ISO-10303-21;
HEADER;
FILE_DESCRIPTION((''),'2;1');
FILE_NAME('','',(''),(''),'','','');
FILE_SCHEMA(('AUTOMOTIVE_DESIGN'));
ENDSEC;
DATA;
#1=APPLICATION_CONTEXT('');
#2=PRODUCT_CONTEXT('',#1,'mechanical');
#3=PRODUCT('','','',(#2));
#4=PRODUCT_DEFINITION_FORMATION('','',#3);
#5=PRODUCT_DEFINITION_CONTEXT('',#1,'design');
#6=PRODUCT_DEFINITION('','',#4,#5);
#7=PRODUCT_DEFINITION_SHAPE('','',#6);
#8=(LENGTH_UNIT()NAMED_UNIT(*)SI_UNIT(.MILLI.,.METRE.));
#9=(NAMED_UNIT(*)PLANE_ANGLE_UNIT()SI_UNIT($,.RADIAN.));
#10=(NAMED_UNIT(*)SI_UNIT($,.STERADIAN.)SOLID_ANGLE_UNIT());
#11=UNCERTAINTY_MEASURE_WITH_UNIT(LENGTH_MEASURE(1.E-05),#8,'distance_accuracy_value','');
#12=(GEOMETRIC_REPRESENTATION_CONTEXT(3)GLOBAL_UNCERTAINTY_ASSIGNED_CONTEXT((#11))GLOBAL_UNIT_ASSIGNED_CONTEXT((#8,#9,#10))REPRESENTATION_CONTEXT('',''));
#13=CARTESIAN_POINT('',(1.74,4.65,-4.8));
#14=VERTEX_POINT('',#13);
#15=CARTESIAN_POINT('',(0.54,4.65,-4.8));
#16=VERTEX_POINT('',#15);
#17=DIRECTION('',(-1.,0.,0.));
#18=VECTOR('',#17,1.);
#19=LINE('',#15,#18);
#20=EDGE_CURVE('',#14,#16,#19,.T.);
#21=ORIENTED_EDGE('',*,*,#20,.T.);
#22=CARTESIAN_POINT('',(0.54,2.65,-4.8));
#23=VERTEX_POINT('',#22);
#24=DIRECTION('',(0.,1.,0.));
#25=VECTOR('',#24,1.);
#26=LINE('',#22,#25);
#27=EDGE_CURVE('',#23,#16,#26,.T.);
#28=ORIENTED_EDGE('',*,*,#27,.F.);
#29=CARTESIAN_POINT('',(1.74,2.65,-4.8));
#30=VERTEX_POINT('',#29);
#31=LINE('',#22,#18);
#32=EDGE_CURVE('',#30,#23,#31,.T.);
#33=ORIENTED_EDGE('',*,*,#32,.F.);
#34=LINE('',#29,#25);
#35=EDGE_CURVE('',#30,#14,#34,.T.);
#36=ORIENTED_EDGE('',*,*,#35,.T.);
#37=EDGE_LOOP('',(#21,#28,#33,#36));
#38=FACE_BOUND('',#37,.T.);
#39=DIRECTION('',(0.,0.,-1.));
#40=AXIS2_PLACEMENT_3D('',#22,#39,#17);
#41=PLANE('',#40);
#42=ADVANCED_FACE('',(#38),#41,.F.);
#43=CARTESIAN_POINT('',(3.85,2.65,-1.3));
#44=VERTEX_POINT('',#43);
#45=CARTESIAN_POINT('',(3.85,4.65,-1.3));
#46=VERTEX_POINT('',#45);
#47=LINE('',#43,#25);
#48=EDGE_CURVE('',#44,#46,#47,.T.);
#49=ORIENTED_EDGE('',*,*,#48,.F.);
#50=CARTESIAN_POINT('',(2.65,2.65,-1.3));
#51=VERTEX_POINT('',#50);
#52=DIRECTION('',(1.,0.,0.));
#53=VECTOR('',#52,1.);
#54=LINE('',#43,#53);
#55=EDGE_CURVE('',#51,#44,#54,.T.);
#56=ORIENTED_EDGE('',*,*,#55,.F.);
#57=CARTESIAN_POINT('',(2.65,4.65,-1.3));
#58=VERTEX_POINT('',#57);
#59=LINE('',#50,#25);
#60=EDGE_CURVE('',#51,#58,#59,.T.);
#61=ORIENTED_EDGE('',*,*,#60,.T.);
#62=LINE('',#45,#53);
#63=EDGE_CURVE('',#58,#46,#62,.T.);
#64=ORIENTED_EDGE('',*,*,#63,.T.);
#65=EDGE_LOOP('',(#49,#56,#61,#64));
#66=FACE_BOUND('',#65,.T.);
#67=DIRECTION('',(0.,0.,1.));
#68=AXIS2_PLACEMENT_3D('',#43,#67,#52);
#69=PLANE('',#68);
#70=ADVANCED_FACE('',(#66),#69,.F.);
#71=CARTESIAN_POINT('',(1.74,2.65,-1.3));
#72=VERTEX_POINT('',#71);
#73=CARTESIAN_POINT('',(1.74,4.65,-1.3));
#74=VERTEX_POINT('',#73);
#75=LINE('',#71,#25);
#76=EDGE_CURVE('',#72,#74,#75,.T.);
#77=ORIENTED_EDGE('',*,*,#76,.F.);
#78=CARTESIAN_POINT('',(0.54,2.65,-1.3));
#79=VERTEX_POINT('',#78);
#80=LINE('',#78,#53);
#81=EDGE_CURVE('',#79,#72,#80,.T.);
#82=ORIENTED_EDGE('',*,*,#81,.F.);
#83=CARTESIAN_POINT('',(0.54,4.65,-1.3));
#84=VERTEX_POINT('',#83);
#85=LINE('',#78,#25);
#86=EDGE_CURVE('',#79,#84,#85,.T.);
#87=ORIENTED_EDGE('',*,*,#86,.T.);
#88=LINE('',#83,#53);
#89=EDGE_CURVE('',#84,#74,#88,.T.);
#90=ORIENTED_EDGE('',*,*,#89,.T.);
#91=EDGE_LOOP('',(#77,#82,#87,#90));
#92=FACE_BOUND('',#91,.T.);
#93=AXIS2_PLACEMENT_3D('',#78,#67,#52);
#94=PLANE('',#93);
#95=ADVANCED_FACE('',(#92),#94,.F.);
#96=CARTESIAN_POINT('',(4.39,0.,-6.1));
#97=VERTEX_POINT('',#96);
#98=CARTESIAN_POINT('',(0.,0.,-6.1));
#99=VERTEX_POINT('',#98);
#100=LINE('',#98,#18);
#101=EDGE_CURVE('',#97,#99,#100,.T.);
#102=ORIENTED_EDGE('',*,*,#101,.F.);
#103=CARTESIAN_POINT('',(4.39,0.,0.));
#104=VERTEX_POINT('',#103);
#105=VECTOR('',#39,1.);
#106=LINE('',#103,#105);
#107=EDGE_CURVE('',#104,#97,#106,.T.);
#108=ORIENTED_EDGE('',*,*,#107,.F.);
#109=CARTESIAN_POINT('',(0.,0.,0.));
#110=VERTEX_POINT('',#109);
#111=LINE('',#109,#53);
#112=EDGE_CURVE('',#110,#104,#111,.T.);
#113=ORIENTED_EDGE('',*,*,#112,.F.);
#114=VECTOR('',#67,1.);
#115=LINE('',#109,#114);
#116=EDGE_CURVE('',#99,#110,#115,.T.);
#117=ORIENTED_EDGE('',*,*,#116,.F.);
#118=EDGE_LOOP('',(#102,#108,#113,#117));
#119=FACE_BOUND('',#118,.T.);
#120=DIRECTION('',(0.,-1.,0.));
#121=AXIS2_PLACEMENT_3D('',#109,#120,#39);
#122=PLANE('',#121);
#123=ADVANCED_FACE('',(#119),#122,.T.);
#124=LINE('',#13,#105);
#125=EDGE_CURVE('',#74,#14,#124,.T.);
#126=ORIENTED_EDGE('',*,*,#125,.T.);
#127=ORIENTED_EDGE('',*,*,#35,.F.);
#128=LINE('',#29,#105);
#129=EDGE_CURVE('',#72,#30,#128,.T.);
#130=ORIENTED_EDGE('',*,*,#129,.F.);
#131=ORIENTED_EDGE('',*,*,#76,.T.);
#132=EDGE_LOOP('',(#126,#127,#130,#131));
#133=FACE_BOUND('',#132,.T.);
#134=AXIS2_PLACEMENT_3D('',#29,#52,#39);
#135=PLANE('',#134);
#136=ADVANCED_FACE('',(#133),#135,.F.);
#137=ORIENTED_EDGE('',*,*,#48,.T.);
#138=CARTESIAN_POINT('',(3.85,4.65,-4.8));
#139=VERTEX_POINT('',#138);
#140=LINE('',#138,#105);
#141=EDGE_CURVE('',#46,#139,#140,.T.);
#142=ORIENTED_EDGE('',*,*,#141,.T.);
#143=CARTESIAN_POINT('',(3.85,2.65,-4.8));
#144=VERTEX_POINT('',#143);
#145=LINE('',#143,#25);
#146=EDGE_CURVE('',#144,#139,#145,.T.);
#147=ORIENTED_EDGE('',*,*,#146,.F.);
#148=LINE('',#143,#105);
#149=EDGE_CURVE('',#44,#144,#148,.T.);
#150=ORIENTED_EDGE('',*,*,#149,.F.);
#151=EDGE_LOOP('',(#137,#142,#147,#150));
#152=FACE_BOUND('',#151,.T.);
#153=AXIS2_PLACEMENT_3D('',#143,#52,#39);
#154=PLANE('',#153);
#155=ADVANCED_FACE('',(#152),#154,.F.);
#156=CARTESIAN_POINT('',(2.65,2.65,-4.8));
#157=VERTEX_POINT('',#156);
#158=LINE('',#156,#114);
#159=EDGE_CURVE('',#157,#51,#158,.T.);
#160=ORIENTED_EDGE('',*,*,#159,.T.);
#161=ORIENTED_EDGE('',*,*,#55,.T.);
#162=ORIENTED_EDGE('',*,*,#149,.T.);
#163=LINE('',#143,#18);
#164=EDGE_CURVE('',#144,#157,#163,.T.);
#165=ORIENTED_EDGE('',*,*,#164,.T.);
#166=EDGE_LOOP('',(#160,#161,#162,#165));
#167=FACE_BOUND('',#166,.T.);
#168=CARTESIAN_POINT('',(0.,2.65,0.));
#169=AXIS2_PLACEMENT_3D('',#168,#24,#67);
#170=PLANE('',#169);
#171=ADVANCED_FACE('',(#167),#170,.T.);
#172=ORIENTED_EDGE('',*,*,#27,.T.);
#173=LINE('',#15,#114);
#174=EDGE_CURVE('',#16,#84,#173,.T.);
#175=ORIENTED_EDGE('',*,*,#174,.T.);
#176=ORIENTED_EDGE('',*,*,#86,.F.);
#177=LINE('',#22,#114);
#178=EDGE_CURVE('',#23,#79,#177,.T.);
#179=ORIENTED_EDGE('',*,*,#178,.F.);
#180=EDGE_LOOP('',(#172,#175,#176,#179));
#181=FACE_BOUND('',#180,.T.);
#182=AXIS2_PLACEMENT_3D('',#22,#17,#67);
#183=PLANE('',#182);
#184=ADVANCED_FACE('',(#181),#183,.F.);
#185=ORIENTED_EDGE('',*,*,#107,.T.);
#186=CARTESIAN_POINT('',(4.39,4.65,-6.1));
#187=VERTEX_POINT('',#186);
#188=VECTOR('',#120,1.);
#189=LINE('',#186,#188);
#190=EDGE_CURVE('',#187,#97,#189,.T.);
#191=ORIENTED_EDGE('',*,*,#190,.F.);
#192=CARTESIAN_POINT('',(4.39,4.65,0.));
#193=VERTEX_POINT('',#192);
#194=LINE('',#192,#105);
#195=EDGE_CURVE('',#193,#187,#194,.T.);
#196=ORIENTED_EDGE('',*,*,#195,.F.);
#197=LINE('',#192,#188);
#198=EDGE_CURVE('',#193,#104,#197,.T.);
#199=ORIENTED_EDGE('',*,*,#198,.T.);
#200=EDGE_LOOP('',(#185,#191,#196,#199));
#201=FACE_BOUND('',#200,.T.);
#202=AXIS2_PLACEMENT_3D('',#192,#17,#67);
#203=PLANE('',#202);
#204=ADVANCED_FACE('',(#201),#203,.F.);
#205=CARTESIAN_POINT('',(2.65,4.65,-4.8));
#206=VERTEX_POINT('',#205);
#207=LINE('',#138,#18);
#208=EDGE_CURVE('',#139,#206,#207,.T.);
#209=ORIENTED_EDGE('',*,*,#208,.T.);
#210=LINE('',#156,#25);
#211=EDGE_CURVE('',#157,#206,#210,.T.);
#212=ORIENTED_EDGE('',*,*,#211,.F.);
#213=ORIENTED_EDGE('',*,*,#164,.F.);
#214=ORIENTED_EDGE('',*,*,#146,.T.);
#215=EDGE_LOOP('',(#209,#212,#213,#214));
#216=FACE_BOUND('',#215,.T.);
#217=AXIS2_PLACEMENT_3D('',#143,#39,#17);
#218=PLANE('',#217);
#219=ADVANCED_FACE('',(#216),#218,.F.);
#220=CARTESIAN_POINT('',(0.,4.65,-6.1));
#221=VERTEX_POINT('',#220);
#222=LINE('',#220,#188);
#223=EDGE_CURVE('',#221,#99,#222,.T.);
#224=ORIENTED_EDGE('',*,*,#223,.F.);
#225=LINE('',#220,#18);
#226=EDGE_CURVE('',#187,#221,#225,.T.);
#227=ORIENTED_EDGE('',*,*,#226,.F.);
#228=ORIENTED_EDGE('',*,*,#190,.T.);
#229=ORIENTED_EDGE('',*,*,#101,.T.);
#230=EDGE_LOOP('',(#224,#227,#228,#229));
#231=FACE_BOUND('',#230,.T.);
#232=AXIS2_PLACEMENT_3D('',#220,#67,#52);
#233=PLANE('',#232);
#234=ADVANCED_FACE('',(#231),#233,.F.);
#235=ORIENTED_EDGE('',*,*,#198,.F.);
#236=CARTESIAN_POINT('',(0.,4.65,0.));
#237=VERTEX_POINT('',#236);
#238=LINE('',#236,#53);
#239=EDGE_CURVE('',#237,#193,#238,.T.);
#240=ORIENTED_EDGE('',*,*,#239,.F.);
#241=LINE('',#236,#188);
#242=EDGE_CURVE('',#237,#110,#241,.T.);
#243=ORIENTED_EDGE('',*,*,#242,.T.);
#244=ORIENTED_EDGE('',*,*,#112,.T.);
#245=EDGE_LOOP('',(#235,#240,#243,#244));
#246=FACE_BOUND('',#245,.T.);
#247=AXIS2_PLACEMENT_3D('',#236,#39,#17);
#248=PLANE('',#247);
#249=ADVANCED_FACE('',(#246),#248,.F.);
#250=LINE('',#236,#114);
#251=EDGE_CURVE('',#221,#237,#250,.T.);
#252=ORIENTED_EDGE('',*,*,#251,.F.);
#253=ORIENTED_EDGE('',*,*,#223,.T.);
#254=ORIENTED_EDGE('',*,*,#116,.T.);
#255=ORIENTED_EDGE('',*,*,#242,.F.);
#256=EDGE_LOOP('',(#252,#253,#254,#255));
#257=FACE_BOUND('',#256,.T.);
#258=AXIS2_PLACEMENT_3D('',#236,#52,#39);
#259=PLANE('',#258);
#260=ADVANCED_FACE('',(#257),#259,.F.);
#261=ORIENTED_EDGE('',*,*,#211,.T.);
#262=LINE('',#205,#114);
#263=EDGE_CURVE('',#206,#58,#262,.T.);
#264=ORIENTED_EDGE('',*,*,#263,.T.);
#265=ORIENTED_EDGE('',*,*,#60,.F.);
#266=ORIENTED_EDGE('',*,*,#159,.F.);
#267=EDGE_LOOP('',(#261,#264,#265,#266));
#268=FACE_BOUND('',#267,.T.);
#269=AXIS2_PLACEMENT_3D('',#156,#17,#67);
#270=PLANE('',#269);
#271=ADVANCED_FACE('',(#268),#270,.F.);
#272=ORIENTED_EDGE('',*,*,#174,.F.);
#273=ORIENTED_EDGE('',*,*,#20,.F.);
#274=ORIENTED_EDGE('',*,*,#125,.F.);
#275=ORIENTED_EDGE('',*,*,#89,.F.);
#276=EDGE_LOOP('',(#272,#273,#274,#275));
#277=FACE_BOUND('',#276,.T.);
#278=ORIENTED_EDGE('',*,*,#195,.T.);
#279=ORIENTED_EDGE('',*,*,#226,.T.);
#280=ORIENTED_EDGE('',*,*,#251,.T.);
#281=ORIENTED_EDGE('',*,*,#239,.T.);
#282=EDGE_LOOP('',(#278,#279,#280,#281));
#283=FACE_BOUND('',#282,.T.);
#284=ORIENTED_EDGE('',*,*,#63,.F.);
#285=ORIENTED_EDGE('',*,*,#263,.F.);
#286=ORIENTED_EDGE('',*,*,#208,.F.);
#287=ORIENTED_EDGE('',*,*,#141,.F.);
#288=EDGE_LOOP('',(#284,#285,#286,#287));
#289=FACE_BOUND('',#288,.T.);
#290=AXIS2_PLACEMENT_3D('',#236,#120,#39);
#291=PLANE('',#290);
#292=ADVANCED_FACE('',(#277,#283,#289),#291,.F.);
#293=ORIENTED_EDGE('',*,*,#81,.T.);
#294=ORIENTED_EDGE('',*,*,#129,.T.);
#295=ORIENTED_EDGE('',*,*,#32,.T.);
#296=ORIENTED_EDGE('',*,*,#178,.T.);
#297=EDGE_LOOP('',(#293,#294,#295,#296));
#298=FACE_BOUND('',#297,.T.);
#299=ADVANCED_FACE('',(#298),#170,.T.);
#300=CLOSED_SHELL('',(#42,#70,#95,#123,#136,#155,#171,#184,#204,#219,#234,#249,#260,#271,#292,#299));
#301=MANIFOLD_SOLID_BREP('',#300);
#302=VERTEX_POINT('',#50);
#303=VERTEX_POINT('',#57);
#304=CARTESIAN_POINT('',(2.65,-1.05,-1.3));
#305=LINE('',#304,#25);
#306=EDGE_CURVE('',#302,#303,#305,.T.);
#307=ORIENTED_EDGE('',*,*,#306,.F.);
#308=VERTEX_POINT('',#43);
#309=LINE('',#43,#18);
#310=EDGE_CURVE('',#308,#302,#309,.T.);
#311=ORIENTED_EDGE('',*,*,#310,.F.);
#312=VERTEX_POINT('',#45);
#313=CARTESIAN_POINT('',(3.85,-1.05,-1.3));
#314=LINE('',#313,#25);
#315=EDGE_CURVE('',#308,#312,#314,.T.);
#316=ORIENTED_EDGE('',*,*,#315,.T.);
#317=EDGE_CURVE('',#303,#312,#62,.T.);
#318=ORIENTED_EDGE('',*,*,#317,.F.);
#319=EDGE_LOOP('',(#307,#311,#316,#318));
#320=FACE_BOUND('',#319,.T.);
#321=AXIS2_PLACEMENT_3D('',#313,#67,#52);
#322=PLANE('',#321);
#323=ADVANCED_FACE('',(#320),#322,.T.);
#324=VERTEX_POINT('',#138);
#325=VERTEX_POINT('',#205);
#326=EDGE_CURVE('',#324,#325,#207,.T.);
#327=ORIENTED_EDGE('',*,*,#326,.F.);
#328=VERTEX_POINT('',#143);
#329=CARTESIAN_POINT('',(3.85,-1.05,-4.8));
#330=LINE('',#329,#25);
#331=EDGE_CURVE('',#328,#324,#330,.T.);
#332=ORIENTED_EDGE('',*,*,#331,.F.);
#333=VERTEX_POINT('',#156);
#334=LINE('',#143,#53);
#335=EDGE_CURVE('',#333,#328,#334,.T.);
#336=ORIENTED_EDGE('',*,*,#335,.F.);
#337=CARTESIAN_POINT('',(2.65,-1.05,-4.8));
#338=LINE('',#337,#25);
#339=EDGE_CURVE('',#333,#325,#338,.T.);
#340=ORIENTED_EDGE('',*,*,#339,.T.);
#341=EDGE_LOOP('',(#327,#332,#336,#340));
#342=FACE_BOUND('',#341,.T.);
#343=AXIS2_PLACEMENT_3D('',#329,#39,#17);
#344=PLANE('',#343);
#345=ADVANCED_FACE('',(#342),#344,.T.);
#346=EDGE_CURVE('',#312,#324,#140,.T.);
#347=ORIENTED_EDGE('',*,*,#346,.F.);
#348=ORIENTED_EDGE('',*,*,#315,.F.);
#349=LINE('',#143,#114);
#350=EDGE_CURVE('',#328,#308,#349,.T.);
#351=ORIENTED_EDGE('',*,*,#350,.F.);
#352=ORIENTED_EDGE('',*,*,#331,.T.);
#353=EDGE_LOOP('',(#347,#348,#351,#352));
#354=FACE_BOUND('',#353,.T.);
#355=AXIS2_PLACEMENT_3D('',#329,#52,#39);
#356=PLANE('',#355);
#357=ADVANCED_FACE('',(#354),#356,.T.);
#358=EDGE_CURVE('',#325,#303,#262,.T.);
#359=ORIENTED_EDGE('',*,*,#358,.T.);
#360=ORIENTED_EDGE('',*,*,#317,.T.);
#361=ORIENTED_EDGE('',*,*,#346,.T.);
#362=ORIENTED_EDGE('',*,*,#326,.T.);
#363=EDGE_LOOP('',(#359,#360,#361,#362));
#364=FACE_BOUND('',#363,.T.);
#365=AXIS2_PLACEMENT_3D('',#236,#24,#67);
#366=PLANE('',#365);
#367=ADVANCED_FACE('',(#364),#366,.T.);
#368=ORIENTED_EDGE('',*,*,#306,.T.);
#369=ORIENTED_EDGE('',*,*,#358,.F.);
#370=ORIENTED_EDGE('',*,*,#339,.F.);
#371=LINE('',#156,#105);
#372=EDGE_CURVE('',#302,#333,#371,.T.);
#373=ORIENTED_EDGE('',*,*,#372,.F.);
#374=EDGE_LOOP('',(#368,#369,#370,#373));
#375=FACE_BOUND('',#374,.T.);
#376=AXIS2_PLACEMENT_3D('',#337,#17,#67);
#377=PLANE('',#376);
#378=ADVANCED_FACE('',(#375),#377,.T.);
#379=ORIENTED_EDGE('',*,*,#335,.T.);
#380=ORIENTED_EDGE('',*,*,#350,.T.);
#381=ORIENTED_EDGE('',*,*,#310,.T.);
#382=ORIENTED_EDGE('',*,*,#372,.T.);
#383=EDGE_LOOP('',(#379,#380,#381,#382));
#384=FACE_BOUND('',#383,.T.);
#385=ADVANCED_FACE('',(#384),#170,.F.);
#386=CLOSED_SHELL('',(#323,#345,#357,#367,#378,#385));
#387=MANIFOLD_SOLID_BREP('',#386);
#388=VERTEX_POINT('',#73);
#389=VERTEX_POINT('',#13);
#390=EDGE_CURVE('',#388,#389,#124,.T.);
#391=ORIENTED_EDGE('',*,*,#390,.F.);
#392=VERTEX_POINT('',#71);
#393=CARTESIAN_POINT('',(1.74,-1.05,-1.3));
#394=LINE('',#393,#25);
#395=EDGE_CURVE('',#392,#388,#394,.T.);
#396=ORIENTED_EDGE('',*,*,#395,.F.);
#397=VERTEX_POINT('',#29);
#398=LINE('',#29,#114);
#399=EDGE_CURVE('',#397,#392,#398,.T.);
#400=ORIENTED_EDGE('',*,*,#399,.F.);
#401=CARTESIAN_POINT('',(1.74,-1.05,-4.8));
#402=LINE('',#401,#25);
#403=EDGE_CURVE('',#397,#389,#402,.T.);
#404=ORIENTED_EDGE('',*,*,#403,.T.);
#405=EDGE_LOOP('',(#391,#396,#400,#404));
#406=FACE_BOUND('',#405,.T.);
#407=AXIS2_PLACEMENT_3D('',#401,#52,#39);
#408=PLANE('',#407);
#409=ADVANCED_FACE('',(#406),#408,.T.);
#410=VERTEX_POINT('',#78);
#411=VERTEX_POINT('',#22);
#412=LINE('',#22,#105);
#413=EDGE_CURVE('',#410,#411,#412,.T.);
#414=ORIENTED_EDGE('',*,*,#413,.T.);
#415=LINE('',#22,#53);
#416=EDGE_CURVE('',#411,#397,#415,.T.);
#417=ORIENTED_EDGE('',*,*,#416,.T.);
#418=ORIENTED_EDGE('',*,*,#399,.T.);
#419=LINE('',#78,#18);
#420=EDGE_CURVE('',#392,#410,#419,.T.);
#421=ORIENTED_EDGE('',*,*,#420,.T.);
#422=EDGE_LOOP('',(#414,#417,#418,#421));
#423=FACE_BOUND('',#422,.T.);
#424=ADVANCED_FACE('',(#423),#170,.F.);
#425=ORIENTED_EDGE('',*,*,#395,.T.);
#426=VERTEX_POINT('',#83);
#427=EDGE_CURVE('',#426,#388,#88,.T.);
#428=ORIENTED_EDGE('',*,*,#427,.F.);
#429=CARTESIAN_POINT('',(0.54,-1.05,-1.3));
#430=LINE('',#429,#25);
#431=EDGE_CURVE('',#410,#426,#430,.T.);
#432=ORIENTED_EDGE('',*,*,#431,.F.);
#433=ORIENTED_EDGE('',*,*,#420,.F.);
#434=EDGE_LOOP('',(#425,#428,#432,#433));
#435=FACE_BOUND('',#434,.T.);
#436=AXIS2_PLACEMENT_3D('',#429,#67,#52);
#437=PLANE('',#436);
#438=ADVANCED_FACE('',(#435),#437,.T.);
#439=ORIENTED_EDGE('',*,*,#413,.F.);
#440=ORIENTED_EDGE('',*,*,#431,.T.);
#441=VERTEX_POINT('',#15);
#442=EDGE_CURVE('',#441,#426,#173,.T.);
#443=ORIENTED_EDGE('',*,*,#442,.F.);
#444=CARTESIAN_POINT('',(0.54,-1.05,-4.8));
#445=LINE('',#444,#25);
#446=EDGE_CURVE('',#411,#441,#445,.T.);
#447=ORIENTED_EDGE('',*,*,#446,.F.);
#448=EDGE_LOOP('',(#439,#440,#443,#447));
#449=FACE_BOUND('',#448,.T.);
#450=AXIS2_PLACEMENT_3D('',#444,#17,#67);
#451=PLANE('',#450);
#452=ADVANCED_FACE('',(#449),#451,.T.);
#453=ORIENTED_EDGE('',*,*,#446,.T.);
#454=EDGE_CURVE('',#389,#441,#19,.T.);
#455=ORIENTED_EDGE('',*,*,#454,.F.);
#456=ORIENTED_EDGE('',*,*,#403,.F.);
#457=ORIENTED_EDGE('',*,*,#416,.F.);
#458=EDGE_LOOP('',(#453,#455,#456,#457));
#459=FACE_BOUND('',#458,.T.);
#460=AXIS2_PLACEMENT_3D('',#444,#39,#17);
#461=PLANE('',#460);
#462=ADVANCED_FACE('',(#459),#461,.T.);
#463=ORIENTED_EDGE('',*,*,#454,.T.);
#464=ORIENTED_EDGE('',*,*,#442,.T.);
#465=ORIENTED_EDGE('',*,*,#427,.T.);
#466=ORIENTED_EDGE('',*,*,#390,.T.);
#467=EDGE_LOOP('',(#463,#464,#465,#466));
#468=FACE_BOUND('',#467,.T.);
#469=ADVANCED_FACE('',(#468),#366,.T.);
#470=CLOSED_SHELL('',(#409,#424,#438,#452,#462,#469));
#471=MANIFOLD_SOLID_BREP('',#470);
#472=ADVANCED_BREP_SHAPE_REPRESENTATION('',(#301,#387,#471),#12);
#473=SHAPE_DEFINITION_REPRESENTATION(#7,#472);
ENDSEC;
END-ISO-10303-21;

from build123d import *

# Parameters (mm, degrees)
SKETCH1_W             = 4.39
SKETCH1_H             = 6.1
BOSS_EXTRUDE1_DEPTH   = 4.65
SKETCH2_W             = 1.2
SKETCH2_H             = 3.5
CUT_EXTRUDE1_DEPTH    = 2
SKETCH2_3_W           = 1.2
SKETCH2_3_H           = 3.5
BOSS_EXTRUDE2_DEPTH   = 2
BOSS_EXTRUDE2_2_DEPTH = 2


with BuildPart() as part:
    # Sketch1 → Boss-Extrude1 (new body)
    with BuildSketch(Plane(origin=(0, 0, 0), x_dir=(1, 0, 0), z_dir=(0, 1, 0))):
        with Locations((2.195, 3.05)):
            Rectangle(SKETCH1_W, SKETCH1_H)
    extrude(amount=BOSS_EXTRUDE1_DEPTH)

    # Sketch2 → Cut-Extrude1 (cut)
    with BuildSketch(Plane(origin=(0, 4.65, 0), x_dir=(1, 0, 0), z_dir=(0, 1, 0))):
        with Locations((1.14, 3.05)):
            Rectangle(SKETCH2_W, SKETCH2_H)
        with Locations((3.25, 3.05)):
            Rectangle(SKETCH2_W, SKETCH2_H)
    extrude(amount=-CUT_EXTRUDE1_DEPTH, mode=Mode.SUBTRACT)


with BuildPart() as body_2:
    # Sketch2<3> → Boss-Extrude2 (new body)
    with BuildSketch(Plane(origin=(0, 4.65, 0), x_dir=(1, 0, 0), z_dir=(0, 1, 0))):
        with Locations((1.14, 3.05)):
            Rectangle(SKETCH2_3_W, SKETCH2_3_H)
    extrude(amount=-BOSS_EXTRUDE2_DEPTH)


with BuildPart() as body_3:
    # Sketch2<3> → Boss-Extrude2 2 (new body)
    with BuildSketch(Plane(origin=(0, 4.65, 0), x_dir=(1, 0, 0), z_dir=(0, 1, 0))):
        with Locations((3.25, 3.05)):
            Rectangle(SKETCH2_3_W, SKETCH2_3_H)
    extrude(amount=-BOSS_EXTRUDE2_2_DEPTH)


solid = Compound([part.part, body_2.part, body_3.part])
